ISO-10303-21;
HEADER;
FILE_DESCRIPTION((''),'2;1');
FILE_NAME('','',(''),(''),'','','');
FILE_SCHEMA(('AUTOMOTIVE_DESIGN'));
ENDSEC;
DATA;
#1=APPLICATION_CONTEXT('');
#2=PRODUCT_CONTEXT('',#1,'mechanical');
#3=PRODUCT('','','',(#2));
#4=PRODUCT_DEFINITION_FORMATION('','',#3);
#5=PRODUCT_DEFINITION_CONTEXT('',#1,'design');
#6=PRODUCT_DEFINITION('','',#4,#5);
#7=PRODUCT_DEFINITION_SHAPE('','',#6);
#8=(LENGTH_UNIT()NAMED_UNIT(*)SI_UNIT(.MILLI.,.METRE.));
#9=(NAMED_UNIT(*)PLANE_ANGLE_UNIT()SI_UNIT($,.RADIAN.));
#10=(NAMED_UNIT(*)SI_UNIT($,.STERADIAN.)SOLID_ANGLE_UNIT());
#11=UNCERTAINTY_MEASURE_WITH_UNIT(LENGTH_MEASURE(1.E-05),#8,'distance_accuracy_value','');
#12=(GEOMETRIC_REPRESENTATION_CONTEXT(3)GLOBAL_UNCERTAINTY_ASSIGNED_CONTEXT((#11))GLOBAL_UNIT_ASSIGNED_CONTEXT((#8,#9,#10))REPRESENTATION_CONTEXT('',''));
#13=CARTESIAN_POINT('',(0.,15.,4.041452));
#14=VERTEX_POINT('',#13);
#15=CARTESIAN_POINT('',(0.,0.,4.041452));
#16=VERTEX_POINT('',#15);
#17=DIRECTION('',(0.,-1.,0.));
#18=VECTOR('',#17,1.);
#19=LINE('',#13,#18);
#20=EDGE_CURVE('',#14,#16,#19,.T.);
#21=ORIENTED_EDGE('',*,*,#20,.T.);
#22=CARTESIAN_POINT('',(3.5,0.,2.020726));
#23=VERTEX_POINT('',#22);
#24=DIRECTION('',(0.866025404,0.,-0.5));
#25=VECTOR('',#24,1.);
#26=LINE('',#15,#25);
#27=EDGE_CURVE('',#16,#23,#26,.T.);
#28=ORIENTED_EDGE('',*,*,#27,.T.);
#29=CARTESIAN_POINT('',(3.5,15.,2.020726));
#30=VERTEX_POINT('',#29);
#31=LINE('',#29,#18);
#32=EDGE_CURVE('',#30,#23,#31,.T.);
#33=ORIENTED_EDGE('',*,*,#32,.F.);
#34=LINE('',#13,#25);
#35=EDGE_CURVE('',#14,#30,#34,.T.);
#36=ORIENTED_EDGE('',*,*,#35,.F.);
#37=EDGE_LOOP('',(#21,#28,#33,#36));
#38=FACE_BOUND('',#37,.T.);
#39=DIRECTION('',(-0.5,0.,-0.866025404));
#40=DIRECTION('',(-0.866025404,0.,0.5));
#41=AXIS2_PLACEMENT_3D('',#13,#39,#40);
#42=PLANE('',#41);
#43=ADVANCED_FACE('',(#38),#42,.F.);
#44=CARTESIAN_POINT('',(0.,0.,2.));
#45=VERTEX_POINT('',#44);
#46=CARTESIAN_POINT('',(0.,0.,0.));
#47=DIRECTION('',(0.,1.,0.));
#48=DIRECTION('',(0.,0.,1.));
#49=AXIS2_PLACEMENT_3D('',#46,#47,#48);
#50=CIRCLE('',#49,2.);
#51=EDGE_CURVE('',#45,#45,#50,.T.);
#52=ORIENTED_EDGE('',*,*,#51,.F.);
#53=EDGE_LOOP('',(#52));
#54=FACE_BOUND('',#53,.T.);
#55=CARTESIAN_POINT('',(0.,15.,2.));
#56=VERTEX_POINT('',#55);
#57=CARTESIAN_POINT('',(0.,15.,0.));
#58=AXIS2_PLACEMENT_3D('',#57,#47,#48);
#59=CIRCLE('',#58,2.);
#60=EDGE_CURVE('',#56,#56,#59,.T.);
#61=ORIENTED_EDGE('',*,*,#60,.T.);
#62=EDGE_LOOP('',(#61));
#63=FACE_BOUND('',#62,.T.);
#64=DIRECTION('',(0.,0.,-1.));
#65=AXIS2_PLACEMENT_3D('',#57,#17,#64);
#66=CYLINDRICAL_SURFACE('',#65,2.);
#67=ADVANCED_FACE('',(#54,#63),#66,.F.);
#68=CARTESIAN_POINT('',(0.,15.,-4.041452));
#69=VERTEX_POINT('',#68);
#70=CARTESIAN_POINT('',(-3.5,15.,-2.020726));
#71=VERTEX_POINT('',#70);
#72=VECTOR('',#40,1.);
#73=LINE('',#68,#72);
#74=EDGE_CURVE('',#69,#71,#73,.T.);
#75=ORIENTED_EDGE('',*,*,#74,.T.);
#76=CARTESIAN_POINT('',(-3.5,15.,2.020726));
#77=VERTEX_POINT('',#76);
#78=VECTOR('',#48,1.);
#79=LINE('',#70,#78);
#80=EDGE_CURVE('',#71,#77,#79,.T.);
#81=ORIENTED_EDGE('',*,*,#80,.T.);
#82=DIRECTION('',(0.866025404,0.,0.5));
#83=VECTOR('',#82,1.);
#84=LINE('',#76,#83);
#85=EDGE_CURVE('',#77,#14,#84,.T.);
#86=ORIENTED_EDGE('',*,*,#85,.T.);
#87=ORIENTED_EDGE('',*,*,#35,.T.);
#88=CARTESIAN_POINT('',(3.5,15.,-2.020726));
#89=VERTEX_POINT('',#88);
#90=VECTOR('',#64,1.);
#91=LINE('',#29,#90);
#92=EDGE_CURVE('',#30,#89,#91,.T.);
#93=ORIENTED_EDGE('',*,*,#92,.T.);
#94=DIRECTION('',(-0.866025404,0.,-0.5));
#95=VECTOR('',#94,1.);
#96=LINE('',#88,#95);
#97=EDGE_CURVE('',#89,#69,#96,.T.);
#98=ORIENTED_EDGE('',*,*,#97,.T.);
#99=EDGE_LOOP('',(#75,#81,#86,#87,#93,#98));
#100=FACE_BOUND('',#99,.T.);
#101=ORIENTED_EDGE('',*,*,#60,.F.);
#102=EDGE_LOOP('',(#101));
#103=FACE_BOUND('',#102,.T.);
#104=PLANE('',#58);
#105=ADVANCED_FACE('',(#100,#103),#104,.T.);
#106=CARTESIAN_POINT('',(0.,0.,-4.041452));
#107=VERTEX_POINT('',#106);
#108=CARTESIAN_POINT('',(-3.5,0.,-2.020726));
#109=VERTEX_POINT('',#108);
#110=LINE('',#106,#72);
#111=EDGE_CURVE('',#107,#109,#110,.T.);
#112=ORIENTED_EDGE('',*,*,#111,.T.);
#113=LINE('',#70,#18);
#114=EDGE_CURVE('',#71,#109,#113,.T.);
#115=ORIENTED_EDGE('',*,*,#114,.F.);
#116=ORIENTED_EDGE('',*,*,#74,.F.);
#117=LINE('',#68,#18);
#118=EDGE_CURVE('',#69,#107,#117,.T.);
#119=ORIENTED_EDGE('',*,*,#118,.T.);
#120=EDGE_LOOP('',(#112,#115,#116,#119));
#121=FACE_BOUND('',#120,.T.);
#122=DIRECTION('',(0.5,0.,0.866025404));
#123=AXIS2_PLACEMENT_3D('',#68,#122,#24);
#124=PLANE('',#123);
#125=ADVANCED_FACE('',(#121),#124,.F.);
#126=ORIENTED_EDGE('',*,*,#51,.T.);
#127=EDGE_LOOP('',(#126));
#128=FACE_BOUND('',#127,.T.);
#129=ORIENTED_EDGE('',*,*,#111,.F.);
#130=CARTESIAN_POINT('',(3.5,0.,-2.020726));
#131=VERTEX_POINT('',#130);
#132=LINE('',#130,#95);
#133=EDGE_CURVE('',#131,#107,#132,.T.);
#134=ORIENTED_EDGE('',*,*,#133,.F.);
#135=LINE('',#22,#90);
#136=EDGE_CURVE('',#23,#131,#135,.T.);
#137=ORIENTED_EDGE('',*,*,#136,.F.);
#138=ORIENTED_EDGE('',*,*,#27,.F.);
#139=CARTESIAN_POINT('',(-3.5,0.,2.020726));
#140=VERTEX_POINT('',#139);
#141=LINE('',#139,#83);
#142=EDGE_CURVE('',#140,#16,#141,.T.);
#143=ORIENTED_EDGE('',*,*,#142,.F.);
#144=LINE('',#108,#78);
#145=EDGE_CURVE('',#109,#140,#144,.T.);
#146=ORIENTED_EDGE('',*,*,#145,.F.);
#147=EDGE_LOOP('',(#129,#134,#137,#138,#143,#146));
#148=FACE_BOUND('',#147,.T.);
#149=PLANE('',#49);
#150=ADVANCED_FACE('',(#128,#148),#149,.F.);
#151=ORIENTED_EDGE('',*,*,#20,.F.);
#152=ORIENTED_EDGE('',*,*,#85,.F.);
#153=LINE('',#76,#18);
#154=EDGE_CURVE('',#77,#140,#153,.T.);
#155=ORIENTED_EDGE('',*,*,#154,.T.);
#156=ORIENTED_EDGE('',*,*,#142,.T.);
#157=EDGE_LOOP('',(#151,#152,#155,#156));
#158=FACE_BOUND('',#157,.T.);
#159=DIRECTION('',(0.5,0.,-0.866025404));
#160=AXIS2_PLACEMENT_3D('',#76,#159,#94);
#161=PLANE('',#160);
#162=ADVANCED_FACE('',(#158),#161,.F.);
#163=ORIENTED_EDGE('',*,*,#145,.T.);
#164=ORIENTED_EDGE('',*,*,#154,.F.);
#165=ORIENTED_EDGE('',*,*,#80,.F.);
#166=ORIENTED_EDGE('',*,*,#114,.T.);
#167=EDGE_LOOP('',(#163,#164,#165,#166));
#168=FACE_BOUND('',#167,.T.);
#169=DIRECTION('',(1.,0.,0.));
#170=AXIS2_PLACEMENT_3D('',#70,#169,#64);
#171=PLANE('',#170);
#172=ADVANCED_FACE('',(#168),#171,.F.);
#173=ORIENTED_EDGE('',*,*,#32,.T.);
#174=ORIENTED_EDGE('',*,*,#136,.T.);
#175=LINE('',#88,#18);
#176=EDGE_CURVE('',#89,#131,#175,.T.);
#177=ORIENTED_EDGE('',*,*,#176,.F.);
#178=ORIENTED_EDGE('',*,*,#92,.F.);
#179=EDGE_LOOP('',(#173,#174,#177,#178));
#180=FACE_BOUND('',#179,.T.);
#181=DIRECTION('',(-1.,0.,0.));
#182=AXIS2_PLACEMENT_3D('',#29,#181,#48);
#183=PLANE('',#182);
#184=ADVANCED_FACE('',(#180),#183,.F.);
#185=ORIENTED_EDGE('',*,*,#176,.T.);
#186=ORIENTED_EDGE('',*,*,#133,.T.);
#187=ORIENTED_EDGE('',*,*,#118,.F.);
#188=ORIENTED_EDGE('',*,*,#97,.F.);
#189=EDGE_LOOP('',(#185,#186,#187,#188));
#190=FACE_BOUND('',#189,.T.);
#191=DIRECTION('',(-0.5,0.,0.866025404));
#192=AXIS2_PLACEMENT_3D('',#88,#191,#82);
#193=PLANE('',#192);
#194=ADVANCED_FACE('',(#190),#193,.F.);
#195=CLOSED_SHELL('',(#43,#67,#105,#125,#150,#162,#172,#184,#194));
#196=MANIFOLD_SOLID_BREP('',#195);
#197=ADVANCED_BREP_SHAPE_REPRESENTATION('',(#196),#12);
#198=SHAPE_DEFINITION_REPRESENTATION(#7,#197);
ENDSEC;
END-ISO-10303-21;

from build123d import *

# Parameters (mm, degrees)
IZIM1_R                     = 2
Y_KSEKLIK_EKSTR_ZYON1_DEPTH = 15


with BuildPart() as part:
    # Çizim1 → Yükseklik-Ekstrüzyon1 (new body)
    with BuildSketch(Plane(origin=(0, 0, 0), x_dir=(1, 0, 0), z_dir=(0, 1, 0))):
        Polygon((3.5, 2.020725942), (0, 4.041451884), (-3.5, 2.020725942), (-3.5, -2.020725942), (0, -4.041451884), (3.5, -2.020725942), align=None)
        with Locations(Location((0, 0, 0), (0, 0, 270))):
            Circle(IZIM1_R, mode=Mode.SUBTRACT)
    extrude(amount=Y_KSEKLIK_EKSTR_ZYON1_DEPTH)


solid = part.part
